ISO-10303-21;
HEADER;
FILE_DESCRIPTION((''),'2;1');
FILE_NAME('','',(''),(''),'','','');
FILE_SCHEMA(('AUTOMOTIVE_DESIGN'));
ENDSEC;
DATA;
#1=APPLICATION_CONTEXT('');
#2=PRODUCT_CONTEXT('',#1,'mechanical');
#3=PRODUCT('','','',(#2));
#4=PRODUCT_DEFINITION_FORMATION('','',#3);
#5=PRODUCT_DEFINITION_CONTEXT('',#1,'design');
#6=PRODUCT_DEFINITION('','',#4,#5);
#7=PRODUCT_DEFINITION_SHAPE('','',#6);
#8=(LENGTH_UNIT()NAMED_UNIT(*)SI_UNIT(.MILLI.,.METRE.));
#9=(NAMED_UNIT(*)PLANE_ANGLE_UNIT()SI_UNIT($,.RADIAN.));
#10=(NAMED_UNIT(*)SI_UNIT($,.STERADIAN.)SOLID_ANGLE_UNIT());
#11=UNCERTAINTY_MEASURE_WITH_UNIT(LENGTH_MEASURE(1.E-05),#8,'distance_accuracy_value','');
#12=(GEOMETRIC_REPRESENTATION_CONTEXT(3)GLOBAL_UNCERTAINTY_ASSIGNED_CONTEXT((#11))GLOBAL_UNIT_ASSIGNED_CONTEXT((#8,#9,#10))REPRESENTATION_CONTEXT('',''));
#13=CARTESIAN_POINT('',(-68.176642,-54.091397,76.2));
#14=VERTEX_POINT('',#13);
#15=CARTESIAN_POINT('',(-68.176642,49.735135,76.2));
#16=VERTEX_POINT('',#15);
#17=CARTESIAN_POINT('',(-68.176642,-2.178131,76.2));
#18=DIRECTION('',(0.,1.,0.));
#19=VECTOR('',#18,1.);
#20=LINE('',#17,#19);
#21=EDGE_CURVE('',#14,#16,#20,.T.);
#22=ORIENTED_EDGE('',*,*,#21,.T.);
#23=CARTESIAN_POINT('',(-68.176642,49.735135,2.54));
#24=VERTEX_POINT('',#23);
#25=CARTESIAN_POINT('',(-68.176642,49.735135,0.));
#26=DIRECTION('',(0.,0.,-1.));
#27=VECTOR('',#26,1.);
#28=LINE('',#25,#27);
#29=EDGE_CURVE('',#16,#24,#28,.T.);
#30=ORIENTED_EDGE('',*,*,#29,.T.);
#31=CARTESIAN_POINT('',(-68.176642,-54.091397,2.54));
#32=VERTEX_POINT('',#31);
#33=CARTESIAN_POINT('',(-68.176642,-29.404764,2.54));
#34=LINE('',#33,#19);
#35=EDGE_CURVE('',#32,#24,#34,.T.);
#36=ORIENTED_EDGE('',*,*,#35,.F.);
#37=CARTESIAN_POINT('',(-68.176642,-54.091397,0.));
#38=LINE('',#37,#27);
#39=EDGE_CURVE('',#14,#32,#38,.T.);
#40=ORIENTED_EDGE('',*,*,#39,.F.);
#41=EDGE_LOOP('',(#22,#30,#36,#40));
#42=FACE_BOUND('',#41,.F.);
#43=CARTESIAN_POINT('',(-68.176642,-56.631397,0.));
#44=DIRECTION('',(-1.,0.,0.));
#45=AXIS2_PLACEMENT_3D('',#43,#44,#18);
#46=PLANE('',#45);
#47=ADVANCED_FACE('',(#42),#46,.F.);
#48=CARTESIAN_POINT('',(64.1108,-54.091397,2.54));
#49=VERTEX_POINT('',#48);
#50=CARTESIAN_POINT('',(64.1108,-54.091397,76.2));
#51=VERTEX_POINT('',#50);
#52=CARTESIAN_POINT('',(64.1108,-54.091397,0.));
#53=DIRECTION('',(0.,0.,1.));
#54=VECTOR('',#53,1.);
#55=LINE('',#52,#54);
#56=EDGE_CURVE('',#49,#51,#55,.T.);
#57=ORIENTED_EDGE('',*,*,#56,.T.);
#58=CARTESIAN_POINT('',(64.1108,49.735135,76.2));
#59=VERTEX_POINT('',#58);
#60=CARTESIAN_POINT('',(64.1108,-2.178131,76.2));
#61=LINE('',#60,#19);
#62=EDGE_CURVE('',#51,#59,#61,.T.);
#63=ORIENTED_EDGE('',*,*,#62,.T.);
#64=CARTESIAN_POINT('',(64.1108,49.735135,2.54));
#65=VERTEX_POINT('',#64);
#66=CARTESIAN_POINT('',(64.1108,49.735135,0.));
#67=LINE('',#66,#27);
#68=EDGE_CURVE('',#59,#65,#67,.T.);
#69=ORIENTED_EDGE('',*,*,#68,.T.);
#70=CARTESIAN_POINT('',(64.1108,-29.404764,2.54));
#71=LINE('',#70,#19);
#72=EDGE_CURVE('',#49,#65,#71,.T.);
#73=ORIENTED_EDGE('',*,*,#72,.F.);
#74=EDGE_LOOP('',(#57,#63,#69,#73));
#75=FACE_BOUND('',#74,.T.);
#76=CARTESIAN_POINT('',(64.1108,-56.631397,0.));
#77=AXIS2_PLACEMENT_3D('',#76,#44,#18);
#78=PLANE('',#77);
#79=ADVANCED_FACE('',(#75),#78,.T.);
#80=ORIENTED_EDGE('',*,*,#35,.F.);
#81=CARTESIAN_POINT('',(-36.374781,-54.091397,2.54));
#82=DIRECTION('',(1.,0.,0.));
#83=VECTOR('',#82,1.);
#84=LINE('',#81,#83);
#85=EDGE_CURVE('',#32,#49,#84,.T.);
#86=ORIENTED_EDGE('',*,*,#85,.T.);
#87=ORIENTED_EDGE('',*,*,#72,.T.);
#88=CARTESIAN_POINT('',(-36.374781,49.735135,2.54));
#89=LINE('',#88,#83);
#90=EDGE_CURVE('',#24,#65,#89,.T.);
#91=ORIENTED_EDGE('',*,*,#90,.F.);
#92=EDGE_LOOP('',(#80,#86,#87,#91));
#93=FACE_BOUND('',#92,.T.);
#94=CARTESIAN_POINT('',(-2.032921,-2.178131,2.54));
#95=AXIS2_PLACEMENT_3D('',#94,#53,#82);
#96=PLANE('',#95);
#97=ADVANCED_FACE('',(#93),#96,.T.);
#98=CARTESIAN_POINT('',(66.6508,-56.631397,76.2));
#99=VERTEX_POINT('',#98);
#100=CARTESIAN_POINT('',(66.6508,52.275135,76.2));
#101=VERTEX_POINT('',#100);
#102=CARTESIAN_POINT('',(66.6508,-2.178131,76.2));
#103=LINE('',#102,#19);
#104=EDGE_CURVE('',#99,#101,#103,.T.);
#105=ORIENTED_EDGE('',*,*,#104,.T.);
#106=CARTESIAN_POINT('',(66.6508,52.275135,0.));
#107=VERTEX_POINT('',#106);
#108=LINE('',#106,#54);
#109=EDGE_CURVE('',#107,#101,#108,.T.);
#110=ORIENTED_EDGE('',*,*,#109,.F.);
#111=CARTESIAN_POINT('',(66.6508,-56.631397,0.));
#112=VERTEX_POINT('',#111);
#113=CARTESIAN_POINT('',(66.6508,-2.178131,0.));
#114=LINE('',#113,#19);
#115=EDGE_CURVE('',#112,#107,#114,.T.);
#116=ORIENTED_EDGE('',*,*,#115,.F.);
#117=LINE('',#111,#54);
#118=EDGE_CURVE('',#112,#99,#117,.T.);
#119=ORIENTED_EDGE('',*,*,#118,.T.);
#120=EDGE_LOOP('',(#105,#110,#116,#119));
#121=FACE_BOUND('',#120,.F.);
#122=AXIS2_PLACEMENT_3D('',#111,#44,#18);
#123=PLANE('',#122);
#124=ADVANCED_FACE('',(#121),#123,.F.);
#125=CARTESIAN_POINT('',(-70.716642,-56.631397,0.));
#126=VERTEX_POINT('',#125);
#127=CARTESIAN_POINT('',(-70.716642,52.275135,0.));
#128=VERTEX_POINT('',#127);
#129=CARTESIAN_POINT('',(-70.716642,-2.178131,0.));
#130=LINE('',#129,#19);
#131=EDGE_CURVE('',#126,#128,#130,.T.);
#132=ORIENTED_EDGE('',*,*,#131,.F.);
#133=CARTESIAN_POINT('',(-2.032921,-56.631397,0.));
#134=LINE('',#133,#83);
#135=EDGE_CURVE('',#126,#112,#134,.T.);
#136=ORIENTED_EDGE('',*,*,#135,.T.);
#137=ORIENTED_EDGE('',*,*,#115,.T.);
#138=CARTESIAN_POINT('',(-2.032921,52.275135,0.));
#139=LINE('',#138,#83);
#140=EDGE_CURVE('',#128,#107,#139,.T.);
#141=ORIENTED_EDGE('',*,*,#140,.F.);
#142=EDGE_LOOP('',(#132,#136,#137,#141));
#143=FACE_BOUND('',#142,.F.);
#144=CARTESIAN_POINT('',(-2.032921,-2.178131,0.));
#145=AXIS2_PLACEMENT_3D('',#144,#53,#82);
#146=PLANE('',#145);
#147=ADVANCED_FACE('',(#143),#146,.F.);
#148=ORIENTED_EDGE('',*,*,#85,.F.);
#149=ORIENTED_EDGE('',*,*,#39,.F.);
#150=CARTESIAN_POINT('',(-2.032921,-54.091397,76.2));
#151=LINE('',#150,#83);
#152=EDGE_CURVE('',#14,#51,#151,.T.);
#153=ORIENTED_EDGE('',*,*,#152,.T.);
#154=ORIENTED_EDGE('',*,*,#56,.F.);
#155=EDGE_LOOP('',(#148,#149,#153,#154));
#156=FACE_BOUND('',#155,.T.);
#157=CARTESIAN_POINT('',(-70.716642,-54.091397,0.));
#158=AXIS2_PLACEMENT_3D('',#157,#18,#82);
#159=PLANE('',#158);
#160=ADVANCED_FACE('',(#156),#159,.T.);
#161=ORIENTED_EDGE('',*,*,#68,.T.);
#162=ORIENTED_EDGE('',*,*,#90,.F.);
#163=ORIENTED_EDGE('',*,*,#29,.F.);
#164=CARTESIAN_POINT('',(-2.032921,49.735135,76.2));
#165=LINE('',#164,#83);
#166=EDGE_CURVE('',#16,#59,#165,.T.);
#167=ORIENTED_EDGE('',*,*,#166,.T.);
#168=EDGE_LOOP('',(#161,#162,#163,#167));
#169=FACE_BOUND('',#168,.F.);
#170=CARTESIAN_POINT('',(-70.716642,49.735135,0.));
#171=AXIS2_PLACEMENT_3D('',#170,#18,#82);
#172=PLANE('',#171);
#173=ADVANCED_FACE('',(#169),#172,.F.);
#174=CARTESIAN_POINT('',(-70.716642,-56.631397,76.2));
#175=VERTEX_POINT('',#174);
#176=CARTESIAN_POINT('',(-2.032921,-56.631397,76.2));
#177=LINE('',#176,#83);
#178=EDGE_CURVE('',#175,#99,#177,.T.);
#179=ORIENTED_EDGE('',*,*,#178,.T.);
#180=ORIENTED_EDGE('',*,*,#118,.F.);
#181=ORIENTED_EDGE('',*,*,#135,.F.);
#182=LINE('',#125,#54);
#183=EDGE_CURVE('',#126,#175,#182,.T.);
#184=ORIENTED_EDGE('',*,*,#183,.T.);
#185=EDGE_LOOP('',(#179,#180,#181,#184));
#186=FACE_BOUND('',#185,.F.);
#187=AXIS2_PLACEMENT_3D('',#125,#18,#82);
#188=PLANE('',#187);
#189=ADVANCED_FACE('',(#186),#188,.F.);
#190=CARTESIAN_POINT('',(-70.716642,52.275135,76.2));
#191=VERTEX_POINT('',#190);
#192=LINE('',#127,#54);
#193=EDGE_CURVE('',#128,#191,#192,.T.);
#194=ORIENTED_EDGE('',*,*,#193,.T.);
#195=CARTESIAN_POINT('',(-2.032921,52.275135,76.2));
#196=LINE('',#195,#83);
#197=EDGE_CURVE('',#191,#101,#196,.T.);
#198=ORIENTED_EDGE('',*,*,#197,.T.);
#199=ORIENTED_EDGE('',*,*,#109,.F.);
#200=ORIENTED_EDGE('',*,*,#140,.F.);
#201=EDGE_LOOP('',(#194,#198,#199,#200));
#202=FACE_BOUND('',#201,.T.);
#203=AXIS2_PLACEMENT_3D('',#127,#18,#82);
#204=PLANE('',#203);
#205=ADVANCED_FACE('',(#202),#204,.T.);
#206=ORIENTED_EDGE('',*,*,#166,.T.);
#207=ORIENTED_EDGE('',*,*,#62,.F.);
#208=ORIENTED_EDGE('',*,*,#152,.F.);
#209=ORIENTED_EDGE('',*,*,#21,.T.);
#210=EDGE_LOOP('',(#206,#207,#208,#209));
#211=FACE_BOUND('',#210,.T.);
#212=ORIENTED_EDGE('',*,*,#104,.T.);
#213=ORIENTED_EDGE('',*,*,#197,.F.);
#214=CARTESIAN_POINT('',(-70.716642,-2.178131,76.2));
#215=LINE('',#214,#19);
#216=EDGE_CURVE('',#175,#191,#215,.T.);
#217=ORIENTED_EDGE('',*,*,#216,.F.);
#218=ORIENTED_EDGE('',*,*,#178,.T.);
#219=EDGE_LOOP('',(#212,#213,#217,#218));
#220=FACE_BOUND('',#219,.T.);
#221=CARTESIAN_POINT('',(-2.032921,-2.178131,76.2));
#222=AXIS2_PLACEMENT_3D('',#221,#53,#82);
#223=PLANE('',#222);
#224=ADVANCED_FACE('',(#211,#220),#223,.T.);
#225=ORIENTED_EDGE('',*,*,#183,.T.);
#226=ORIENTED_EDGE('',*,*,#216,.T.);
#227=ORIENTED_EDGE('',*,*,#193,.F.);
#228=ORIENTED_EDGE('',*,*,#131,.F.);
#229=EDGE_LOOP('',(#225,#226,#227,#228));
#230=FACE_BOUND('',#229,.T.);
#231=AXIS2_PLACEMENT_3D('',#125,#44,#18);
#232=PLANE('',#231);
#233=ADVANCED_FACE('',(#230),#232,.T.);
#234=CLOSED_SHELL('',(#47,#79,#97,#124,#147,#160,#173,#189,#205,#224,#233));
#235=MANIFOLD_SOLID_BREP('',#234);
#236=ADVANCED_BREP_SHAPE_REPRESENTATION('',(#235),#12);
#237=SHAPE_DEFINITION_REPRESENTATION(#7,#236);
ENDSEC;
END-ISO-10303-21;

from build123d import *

# Parameters (mm, degrees)
F0_W     = 137.367442
F0_H     = 108.906533
F1_DEPTH = 76.2
F2_T     = -2.54


with BuildPart() as f1:
    # F0 (on Top) → F1 (new body)
    with BuildSketch(Plane.XY):
        with Locations((-2.032921, -2.178131)):
            Rectangle(F0_W, F0_H)
    extrude(amount=F1_DEPTH)

    # F2
    f2_openings = [f1.faces().sort_by_distance(p)[0] for p in [
        (-2.032921, -2.178131, 76.2),
    ]]
    offset(amount=F2_T, openings=f2_openings)


solid = f1.part
